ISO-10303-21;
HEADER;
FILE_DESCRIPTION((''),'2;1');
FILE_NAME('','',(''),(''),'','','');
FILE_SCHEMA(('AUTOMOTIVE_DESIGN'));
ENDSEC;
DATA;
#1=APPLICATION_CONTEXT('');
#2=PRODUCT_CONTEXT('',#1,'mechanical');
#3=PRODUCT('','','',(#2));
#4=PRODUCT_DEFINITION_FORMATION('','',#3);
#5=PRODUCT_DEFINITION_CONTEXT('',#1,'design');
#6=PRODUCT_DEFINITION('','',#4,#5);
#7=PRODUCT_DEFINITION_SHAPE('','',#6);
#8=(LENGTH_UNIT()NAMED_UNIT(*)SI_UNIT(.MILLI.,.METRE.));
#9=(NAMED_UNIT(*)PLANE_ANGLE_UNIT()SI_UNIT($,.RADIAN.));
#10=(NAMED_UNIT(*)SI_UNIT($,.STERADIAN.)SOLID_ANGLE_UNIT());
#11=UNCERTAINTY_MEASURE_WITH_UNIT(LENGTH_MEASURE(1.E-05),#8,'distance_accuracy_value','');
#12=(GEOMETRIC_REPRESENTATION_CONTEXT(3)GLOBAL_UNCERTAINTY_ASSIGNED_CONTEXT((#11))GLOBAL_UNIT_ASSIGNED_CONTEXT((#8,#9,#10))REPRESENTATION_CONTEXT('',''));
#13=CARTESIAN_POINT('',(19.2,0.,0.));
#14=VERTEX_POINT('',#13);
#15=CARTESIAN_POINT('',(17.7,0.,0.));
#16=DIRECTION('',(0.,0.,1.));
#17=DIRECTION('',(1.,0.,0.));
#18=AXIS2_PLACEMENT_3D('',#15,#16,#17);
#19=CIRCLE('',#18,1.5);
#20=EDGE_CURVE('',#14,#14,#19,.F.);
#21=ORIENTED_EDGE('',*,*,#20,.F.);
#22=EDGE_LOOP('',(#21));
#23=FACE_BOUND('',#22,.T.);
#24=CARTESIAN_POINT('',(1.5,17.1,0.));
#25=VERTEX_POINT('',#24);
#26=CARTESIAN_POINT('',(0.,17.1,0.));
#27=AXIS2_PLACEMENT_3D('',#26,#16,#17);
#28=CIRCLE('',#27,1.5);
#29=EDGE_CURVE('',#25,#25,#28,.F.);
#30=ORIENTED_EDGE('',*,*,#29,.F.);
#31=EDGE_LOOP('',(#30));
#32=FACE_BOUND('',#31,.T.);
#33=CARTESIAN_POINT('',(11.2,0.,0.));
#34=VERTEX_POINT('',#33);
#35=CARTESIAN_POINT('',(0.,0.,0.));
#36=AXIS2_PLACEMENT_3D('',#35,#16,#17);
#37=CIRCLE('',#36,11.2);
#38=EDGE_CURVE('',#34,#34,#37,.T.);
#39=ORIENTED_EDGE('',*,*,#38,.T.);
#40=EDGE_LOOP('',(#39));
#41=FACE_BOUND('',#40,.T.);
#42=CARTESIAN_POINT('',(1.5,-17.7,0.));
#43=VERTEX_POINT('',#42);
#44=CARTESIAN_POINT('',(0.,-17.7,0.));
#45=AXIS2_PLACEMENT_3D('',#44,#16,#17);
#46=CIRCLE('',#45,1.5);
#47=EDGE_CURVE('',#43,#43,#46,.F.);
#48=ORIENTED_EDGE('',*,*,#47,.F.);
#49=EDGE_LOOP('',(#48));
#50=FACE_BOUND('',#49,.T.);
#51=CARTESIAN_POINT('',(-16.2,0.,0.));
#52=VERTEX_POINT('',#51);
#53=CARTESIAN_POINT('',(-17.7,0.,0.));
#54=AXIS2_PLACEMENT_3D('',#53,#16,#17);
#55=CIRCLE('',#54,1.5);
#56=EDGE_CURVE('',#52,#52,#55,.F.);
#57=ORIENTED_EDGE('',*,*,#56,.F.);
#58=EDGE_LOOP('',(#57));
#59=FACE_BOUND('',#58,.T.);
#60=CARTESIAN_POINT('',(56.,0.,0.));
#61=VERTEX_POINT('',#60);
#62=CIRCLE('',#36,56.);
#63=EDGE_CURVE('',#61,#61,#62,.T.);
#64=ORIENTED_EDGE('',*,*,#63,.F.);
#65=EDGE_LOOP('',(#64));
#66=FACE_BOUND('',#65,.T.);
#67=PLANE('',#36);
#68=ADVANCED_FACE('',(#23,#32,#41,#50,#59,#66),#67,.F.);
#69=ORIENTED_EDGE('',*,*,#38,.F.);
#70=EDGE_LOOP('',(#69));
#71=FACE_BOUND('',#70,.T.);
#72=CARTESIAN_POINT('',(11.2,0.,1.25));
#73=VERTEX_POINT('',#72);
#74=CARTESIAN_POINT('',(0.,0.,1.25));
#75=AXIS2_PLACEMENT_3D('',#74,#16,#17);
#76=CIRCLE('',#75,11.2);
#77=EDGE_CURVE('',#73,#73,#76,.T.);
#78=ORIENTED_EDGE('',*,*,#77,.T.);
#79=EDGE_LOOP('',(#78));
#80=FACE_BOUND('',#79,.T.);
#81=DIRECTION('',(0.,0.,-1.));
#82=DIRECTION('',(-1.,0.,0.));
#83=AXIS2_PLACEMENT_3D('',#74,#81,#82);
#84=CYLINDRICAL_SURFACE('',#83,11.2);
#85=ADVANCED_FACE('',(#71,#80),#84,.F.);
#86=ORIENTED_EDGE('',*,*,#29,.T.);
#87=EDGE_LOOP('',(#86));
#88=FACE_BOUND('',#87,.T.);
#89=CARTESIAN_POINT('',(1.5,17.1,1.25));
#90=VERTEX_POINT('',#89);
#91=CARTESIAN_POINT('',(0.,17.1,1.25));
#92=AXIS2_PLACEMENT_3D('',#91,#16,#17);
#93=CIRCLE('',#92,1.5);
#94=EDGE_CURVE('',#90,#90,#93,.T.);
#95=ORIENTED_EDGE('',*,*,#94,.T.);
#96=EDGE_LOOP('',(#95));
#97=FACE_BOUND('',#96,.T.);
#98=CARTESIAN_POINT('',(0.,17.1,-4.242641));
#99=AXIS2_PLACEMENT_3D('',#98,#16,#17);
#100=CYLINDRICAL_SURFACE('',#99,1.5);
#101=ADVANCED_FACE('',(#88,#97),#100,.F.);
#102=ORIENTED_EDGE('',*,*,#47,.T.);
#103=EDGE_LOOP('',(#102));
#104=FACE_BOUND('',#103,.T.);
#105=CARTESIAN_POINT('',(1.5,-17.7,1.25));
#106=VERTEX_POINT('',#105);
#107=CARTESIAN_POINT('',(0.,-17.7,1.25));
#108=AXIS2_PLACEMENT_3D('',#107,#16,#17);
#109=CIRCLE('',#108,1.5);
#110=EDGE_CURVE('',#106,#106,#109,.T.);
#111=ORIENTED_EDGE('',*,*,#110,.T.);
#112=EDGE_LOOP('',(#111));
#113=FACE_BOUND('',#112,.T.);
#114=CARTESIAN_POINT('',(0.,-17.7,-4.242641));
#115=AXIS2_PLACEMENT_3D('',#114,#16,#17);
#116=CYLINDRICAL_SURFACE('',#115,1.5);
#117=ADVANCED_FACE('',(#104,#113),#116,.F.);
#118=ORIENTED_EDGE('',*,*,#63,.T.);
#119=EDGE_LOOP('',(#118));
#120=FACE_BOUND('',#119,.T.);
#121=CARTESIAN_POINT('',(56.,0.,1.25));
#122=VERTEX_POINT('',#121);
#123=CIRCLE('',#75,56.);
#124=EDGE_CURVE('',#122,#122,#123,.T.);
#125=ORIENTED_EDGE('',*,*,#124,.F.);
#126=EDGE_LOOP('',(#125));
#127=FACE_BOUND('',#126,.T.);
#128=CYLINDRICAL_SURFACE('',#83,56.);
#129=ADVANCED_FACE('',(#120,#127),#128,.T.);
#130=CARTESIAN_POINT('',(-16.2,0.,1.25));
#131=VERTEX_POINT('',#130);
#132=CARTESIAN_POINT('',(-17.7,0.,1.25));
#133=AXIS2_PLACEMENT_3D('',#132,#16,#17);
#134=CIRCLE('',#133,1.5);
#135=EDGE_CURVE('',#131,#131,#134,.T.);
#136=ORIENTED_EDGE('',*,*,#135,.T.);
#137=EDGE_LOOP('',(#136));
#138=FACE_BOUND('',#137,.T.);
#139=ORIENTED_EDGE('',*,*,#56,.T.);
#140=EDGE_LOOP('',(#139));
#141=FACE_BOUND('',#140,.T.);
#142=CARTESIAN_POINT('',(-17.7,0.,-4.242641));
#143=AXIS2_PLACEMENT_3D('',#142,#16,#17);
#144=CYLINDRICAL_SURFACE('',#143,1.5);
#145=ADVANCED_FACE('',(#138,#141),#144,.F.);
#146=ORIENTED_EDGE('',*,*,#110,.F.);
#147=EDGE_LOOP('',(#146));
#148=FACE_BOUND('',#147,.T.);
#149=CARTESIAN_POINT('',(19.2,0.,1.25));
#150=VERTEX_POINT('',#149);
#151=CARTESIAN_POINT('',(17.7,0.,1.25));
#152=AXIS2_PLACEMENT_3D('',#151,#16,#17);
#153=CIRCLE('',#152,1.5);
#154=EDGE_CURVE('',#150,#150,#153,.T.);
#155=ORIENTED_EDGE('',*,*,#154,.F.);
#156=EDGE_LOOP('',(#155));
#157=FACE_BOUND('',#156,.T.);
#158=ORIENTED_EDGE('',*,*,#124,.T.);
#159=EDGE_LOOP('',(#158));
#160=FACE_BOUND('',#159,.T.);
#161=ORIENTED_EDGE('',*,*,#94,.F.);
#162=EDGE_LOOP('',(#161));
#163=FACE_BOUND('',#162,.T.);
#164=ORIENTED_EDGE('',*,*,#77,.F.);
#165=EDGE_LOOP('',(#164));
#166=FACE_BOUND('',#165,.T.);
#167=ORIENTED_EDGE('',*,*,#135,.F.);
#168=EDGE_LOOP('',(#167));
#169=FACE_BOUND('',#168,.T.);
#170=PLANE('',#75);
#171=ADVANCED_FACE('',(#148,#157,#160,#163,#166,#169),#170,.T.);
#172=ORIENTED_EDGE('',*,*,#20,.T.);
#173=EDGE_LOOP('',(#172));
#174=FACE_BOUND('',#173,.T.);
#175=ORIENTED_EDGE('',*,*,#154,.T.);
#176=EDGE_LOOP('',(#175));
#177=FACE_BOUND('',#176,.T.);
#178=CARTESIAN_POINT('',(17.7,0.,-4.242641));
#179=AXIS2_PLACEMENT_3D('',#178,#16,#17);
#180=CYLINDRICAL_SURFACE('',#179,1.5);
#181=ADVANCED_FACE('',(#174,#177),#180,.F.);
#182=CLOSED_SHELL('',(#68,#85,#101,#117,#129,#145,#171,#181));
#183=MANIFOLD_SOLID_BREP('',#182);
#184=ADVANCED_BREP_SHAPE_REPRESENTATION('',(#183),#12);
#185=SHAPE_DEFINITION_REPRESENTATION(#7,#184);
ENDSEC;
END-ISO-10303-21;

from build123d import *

# Parameters (mm, degrees)
SKETCH1_R      = 56
SKETCH1_R_2    = 11.2
EXTRUDE1_DEPTH = 1.25
SKETCH2_R      = 1.5
EXTRUDE2_DEPTH = 1.25


with BuildPart() as part:
    # Sketch1 → Extrude1 (new body)
    with BuildSketch(Plane.XY):
        Circle(SKETCH1_R)
        Circle(SKETCH1_R_2, mode=Mode.SUBTRACT)
    extrude(amount=EXTRUDE1_DEPTH)

    # Sketch2 → Extrude2 (cut)
    with BuildSketch(Plane.XY.offset(1.25)):
        with Locations((17.7, 0)):
            Circle(SKETCH2_R)
        with Locations((0, -17.7)):
            Circle(SKETCH2_R)
        with Locations((-17.7, 0)):
            Circle(SKETCH2_R)
        with Locations((0, 17.1)):
            Circle(SKETCH2_R)
    extrude(amount=-EXTRUDE2_DEPTH, mode=Mode.SUBTRACT)


solid = part.part
